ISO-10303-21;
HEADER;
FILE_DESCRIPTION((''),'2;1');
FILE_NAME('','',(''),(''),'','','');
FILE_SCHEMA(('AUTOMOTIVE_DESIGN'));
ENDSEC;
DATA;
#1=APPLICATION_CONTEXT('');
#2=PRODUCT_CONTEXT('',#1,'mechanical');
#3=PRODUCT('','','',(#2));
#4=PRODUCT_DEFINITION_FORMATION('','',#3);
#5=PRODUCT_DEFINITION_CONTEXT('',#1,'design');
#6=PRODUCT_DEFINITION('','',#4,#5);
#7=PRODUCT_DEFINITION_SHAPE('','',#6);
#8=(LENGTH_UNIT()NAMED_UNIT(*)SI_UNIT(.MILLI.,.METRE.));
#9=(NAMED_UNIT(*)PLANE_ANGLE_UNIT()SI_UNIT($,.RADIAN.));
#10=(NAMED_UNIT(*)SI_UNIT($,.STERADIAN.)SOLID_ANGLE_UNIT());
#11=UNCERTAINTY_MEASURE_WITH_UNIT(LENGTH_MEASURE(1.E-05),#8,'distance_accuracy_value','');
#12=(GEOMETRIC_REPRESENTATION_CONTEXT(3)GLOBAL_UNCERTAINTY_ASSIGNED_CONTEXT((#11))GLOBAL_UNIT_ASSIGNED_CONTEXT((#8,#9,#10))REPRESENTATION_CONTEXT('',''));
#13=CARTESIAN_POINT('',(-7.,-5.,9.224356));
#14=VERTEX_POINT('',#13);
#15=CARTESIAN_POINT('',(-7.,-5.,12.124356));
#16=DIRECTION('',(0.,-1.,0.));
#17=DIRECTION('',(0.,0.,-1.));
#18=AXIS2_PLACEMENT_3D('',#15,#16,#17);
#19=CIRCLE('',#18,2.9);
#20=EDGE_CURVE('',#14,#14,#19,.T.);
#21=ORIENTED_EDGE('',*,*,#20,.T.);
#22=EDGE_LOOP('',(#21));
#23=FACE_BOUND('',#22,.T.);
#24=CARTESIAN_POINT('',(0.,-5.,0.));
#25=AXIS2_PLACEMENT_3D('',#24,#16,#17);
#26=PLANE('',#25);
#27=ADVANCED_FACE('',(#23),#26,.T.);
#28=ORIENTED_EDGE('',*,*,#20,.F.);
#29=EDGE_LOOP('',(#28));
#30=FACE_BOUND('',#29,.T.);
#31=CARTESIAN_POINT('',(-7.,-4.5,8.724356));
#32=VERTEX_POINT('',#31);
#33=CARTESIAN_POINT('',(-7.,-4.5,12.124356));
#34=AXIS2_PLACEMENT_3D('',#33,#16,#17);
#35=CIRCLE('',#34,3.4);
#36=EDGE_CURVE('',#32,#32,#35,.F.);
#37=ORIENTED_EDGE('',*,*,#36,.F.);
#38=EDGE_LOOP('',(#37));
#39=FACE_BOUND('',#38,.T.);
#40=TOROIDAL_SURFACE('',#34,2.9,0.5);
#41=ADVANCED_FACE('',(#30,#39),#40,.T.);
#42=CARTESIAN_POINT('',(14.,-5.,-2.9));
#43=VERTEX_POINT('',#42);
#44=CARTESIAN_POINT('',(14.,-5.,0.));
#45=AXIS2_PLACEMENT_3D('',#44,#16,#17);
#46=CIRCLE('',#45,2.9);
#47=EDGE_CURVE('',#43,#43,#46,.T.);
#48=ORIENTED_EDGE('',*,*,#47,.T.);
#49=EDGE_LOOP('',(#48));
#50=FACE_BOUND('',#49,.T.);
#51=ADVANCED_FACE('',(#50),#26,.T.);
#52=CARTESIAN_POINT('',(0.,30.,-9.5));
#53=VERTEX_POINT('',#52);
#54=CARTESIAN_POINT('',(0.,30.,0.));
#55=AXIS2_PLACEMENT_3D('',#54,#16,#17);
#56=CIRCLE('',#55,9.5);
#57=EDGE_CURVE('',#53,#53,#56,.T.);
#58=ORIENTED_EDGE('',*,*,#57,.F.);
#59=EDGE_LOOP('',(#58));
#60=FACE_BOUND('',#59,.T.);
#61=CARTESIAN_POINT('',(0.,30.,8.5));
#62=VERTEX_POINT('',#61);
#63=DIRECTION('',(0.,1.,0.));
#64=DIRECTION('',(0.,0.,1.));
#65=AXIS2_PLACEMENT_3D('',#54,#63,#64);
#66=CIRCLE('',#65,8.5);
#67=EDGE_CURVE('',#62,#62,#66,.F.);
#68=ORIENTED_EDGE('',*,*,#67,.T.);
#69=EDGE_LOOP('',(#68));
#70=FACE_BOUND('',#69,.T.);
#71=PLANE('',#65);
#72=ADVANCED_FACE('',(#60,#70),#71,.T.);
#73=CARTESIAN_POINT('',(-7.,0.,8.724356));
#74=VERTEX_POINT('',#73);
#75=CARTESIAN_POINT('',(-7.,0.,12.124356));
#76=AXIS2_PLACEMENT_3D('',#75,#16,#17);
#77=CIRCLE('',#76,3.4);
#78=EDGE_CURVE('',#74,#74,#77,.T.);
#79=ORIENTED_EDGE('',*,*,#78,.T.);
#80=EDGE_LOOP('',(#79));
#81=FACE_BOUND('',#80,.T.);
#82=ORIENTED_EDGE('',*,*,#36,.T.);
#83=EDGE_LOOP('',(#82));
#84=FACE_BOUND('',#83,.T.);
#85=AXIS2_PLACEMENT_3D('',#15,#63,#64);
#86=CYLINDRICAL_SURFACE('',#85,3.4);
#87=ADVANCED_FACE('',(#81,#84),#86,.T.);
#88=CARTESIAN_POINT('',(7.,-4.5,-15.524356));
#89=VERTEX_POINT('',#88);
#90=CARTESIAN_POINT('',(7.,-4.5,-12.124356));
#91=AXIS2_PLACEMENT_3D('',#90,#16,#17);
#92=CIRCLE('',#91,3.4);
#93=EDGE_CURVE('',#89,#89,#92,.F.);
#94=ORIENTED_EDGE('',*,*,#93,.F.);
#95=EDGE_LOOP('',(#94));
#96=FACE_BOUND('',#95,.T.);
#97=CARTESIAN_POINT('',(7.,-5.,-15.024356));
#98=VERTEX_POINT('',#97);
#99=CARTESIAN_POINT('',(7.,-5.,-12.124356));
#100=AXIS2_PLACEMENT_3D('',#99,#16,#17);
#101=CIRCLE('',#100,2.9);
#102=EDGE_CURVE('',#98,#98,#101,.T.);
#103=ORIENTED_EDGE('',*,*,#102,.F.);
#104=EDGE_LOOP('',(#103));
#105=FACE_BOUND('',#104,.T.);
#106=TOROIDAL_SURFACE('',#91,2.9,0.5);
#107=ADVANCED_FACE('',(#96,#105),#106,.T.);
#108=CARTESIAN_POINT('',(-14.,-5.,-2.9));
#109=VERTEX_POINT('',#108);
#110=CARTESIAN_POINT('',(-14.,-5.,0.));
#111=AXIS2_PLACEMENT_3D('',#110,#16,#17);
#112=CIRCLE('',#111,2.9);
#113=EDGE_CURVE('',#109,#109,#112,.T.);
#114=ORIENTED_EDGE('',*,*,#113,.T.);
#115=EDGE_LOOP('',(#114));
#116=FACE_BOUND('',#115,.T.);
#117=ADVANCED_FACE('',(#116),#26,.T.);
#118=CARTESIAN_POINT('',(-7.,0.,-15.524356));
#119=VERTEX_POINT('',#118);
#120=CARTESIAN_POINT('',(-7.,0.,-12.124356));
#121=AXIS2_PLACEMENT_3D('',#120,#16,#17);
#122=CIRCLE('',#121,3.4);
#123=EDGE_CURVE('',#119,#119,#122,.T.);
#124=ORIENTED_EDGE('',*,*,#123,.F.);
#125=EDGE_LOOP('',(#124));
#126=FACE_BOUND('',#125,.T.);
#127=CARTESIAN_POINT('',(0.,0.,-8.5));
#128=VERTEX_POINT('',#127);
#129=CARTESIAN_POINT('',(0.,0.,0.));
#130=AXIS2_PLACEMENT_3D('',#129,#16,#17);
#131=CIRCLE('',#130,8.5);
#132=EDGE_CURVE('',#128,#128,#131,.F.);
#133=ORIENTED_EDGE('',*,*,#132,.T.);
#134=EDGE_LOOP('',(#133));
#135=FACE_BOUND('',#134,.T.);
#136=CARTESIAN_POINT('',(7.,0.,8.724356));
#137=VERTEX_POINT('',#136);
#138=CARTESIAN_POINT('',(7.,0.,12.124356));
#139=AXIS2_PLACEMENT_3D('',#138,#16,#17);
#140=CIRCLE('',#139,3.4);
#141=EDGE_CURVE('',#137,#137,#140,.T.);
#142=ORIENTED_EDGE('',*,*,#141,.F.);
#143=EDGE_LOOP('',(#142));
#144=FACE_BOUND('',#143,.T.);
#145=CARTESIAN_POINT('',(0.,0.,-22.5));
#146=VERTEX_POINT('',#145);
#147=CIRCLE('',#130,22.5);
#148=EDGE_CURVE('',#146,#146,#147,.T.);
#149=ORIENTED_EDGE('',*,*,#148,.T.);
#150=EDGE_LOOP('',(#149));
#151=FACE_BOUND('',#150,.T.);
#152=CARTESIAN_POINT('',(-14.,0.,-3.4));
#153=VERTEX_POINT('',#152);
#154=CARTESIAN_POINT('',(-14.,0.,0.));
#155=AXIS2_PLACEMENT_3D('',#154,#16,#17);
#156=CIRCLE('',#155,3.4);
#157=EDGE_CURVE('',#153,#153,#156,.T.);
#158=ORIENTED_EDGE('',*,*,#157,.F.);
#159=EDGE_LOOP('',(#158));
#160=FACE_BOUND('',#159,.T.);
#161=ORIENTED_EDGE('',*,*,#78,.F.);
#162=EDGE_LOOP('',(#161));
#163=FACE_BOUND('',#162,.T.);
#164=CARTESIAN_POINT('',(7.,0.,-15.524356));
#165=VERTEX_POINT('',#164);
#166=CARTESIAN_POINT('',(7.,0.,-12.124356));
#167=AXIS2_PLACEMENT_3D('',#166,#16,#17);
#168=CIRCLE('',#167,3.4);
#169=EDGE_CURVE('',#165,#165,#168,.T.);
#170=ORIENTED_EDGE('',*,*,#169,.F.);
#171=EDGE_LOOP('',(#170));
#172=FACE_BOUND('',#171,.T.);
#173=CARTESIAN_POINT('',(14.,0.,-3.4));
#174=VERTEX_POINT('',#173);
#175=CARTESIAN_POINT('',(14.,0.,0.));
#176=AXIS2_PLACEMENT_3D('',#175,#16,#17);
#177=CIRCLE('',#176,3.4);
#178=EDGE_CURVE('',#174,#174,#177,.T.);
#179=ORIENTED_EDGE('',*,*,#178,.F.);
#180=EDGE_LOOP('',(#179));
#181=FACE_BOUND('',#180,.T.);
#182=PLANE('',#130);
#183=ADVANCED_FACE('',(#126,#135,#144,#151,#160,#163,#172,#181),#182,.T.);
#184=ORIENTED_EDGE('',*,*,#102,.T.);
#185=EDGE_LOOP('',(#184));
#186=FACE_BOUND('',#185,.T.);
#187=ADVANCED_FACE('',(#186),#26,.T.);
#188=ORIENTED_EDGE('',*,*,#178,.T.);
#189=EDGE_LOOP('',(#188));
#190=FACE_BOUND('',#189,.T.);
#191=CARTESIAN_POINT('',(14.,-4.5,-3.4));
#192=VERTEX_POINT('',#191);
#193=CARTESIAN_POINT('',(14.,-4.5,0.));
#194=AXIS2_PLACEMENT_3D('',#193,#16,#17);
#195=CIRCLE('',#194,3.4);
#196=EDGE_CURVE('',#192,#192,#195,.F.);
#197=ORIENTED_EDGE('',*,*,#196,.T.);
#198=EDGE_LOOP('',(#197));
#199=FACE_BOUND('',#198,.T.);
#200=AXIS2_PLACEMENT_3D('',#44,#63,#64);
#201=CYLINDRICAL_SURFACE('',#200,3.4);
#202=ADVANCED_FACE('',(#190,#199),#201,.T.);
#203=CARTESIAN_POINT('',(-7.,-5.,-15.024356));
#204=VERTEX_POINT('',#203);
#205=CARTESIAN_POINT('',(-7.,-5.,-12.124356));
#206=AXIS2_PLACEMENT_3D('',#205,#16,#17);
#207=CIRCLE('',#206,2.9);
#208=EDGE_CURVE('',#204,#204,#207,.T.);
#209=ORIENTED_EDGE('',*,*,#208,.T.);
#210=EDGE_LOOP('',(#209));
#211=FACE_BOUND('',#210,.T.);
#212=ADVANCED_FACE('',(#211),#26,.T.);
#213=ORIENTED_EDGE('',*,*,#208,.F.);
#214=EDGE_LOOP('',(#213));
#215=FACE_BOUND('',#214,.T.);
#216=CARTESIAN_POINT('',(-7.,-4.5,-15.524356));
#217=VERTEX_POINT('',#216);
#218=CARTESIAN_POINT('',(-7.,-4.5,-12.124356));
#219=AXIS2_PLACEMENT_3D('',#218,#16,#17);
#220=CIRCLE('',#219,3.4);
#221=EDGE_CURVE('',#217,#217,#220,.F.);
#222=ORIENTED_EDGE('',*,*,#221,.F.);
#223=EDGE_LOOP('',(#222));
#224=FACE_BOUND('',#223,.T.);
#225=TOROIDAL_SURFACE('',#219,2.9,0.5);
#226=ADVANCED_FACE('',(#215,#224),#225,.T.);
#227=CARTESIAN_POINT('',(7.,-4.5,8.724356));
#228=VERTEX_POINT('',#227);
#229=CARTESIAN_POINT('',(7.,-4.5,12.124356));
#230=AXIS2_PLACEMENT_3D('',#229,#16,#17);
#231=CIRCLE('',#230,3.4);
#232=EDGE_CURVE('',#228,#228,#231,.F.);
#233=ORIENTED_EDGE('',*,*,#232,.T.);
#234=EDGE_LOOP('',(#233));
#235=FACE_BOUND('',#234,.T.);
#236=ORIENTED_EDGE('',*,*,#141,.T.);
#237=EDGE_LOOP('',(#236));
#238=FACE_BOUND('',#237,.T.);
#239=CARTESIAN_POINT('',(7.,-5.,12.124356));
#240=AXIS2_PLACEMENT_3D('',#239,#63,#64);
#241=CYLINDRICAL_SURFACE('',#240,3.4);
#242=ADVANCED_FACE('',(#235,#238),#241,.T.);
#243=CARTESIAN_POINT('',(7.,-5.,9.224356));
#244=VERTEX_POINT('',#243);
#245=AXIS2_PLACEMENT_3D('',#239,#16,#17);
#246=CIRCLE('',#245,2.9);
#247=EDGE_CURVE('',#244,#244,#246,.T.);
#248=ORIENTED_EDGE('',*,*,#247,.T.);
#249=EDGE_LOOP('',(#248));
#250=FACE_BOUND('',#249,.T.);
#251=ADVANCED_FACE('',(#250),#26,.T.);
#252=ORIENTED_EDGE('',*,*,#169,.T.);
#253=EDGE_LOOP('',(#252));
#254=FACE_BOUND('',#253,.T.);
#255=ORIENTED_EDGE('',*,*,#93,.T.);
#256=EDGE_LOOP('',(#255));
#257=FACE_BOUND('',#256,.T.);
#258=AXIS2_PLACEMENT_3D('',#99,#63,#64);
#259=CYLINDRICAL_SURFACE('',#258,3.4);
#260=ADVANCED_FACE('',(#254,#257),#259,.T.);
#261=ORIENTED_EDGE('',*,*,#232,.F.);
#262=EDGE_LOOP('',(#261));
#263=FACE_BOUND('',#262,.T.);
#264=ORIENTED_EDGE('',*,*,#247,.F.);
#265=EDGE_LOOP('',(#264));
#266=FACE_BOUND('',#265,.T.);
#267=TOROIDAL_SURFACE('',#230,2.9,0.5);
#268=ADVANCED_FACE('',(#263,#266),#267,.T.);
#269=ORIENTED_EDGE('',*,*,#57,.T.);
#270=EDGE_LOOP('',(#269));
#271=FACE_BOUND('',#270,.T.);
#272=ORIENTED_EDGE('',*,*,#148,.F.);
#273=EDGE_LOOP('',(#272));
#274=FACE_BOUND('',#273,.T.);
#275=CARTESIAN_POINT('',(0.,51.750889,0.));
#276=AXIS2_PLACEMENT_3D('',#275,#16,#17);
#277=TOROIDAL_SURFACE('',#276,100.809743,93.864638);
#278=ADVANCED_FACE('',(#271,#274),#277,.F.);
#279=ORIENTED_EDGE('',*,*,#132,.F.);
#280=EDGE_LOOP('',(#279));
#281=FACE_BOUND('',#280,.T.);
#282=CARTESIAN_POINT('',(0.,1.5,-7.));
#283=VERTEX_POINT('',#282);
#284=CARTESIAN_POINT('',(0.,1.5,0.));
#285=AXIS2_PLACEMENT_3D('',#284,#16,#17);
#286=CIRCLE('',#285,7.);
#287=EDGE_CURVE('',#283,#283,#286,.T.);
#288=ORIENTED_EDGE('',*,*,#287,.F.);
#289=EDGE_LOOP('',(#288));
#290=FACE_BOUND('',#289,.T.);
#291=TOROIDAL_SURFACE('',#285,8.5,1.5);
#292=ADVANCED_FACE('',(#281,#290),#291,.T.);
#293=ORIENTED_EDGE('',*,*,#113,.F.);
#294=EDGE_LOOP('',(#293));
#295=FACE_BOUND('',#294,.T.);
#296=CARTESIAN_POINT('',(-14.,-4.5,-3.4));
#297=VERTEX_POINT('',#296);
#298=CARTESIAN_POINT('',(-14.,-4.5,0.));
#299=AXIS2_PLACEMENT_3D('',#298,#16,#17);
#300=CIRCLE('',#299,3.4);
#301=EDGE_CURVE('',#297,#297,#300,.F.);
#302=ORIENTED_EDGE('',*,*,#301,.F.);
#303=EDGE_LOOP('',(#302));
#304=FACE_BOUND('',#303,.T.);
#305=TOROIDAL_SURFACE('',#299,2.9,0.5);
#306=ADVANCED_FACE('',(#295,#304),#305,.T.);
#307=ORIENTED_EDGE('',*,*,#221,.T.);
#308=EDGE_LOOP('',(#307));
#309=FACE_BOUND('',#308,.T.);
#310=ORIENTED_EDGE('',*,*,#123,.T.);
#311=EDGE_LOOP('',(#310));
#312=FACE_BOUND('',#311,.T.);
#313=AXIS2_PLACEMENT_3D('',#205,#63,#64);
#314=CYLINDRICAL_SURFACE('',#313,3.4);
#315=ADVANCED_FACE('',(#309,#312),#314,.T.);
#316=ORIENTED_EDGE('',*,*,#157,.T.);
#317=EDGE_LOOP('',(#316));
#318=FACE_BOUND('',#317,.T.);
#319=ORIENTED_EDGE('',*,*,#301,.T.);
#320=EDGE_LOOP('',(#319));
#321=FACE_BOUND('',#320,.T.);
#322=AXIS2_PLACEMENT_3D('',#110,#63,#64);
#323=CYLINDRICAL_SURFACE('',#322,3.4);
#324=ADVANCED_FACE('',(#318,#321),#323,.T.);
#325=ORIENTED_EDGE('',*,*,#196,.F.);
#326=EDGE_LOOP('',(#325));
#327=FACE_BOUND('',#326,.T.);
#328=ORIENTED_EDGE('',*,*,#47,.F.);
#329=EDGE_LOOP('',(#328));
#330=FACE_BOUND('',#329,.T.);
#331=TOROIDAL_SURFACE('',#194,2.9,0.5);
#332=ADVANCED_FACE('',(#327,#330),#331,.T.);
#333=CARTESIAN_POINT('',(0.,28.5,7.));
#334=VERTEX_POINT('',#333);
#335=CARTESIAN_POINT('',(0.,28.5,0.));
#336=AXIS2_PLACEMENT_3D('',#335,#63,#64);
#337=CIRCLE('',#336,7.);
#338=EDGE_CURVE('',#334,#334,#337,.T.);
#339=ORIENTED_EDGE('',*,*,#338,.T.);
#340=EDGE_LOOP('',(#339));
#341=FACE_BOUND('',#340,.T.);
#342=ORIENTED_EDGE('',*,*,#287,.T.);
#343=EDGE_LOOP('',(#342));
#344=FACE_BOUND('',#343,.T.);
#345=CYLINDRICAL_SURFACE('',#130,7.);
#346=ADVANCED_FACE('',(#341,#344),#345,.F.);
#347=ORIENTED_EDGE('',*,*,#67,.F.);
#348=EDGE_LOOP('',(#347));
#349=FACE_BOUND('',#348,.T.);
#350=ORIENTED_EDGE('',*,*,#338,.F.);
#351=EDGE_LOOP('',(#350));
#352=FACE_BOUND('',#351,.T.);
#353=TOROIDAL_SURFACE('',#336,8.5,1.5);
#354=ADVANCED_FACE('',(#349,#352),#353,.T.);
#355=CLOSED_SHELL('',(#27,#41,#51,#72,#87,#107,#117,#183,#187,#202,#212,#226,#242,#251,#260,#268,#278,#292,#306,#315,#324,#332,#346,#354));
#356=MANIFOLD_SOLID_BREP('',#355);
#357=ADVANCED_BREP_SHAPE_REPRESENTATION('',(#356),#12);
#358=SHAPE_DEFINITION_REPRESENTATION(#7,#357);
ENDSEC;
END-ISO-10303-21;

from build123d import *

# Parameters (mm, degrees)
SKETCH3_R           = 3.4
BOSS_EXTRUDE1_DEPTH = 5
FILLET1_R           = 1.5
FILLET2_R           = 1.5
FILLET3_R           = 0.5


with BuildPart() as part:
    # Sketch2 → Revolve1 (revolve)
    with BuildSketch(Plane(origin=(0, 0, 0), x_dir=(0, 0, -1), z_dir=(1, 0, 0)), mode=Mode.PRIVATE) as revolve1_sk:
        with BuildLine():
            Line((-7.772106951, 0), (-7, 0))
            Line((-7, 0), (-7, 30))
            Line((-7, 30), (-9.5, 30))
            ThreePointArc((-9.5, 30), (-14.683716109, 14.429610314), (-22.5, 0))
            Line((-22.5, 0), (-7.772106951, 0))
        make_face()
    revolve(revolve1_sk.sketch.rotate(Axis((0, 0, 0), (0, 1, 0)), 180), axis=Axis((0, 0, 0), (0, 1, 0)))

    # Sketch3 → Boss-Extrude1 (add)
    with BuildSketch(Plane(origin=(0, 0, 0), x_dir=(-1, 0, 0), z_dir=(0, -1, 0))):
        with Locations(Location((-14, 0, 0), (0, 0, 90))):
            Circle(SKETCH3_R)
        with Locations(Location((-7, 12.124355653, 0), (0, 0, 90))):
            Circle(SKETCH3_R)
        with Locations(Location((7, 12.124355653, 0), (0, 0, 90))):
            Circle(SKETCH3_R)
        with Locations(Location((14, 0, 0), (0, 0, 90))):
            Circle(SKETCH3_R)
        with Locations(Location((7, -12.124355653, 0), (0, 0, 90))):
            Circle(SKETCH3_R)
        with Locations(Location((-7, -12.124355653, 0), (0, 0, 90))):
            Circle(SKETCH3_R)
    extrude(amount=BOSS_EXTRUDE1_DEPTH)

    # Fillet1
    fillet1_edges = [part.edges().sort_by_distance(p)[0] for p in [
        (0, 30, 7),
    ]]
    fillet(fillet1_edges, radius=FILLET1_R)

    # Fillet2
    fillet2_edges = [part.edges().sort_by_distance(p)[0] for p in [
        (0, 0, 7),
    ]]
    fillet(fillet2_edges, radius=FILLET2_R)

    # Fillet3
    fillet3_edges = [part.edges().sort_by_distance(p)[0] for p in [
        (14, -5, 3.4),
        (7, -5, 15.524355653),
        (-7, -5, 15.524355653),
        (-14, -5, 3.4),
        (-7, -5, -8.724355653),
        (7, -5, -8.724355653),
    ]]
    fillet(fillet3_edges, radius=FILLET3_R)


solid = part.part
